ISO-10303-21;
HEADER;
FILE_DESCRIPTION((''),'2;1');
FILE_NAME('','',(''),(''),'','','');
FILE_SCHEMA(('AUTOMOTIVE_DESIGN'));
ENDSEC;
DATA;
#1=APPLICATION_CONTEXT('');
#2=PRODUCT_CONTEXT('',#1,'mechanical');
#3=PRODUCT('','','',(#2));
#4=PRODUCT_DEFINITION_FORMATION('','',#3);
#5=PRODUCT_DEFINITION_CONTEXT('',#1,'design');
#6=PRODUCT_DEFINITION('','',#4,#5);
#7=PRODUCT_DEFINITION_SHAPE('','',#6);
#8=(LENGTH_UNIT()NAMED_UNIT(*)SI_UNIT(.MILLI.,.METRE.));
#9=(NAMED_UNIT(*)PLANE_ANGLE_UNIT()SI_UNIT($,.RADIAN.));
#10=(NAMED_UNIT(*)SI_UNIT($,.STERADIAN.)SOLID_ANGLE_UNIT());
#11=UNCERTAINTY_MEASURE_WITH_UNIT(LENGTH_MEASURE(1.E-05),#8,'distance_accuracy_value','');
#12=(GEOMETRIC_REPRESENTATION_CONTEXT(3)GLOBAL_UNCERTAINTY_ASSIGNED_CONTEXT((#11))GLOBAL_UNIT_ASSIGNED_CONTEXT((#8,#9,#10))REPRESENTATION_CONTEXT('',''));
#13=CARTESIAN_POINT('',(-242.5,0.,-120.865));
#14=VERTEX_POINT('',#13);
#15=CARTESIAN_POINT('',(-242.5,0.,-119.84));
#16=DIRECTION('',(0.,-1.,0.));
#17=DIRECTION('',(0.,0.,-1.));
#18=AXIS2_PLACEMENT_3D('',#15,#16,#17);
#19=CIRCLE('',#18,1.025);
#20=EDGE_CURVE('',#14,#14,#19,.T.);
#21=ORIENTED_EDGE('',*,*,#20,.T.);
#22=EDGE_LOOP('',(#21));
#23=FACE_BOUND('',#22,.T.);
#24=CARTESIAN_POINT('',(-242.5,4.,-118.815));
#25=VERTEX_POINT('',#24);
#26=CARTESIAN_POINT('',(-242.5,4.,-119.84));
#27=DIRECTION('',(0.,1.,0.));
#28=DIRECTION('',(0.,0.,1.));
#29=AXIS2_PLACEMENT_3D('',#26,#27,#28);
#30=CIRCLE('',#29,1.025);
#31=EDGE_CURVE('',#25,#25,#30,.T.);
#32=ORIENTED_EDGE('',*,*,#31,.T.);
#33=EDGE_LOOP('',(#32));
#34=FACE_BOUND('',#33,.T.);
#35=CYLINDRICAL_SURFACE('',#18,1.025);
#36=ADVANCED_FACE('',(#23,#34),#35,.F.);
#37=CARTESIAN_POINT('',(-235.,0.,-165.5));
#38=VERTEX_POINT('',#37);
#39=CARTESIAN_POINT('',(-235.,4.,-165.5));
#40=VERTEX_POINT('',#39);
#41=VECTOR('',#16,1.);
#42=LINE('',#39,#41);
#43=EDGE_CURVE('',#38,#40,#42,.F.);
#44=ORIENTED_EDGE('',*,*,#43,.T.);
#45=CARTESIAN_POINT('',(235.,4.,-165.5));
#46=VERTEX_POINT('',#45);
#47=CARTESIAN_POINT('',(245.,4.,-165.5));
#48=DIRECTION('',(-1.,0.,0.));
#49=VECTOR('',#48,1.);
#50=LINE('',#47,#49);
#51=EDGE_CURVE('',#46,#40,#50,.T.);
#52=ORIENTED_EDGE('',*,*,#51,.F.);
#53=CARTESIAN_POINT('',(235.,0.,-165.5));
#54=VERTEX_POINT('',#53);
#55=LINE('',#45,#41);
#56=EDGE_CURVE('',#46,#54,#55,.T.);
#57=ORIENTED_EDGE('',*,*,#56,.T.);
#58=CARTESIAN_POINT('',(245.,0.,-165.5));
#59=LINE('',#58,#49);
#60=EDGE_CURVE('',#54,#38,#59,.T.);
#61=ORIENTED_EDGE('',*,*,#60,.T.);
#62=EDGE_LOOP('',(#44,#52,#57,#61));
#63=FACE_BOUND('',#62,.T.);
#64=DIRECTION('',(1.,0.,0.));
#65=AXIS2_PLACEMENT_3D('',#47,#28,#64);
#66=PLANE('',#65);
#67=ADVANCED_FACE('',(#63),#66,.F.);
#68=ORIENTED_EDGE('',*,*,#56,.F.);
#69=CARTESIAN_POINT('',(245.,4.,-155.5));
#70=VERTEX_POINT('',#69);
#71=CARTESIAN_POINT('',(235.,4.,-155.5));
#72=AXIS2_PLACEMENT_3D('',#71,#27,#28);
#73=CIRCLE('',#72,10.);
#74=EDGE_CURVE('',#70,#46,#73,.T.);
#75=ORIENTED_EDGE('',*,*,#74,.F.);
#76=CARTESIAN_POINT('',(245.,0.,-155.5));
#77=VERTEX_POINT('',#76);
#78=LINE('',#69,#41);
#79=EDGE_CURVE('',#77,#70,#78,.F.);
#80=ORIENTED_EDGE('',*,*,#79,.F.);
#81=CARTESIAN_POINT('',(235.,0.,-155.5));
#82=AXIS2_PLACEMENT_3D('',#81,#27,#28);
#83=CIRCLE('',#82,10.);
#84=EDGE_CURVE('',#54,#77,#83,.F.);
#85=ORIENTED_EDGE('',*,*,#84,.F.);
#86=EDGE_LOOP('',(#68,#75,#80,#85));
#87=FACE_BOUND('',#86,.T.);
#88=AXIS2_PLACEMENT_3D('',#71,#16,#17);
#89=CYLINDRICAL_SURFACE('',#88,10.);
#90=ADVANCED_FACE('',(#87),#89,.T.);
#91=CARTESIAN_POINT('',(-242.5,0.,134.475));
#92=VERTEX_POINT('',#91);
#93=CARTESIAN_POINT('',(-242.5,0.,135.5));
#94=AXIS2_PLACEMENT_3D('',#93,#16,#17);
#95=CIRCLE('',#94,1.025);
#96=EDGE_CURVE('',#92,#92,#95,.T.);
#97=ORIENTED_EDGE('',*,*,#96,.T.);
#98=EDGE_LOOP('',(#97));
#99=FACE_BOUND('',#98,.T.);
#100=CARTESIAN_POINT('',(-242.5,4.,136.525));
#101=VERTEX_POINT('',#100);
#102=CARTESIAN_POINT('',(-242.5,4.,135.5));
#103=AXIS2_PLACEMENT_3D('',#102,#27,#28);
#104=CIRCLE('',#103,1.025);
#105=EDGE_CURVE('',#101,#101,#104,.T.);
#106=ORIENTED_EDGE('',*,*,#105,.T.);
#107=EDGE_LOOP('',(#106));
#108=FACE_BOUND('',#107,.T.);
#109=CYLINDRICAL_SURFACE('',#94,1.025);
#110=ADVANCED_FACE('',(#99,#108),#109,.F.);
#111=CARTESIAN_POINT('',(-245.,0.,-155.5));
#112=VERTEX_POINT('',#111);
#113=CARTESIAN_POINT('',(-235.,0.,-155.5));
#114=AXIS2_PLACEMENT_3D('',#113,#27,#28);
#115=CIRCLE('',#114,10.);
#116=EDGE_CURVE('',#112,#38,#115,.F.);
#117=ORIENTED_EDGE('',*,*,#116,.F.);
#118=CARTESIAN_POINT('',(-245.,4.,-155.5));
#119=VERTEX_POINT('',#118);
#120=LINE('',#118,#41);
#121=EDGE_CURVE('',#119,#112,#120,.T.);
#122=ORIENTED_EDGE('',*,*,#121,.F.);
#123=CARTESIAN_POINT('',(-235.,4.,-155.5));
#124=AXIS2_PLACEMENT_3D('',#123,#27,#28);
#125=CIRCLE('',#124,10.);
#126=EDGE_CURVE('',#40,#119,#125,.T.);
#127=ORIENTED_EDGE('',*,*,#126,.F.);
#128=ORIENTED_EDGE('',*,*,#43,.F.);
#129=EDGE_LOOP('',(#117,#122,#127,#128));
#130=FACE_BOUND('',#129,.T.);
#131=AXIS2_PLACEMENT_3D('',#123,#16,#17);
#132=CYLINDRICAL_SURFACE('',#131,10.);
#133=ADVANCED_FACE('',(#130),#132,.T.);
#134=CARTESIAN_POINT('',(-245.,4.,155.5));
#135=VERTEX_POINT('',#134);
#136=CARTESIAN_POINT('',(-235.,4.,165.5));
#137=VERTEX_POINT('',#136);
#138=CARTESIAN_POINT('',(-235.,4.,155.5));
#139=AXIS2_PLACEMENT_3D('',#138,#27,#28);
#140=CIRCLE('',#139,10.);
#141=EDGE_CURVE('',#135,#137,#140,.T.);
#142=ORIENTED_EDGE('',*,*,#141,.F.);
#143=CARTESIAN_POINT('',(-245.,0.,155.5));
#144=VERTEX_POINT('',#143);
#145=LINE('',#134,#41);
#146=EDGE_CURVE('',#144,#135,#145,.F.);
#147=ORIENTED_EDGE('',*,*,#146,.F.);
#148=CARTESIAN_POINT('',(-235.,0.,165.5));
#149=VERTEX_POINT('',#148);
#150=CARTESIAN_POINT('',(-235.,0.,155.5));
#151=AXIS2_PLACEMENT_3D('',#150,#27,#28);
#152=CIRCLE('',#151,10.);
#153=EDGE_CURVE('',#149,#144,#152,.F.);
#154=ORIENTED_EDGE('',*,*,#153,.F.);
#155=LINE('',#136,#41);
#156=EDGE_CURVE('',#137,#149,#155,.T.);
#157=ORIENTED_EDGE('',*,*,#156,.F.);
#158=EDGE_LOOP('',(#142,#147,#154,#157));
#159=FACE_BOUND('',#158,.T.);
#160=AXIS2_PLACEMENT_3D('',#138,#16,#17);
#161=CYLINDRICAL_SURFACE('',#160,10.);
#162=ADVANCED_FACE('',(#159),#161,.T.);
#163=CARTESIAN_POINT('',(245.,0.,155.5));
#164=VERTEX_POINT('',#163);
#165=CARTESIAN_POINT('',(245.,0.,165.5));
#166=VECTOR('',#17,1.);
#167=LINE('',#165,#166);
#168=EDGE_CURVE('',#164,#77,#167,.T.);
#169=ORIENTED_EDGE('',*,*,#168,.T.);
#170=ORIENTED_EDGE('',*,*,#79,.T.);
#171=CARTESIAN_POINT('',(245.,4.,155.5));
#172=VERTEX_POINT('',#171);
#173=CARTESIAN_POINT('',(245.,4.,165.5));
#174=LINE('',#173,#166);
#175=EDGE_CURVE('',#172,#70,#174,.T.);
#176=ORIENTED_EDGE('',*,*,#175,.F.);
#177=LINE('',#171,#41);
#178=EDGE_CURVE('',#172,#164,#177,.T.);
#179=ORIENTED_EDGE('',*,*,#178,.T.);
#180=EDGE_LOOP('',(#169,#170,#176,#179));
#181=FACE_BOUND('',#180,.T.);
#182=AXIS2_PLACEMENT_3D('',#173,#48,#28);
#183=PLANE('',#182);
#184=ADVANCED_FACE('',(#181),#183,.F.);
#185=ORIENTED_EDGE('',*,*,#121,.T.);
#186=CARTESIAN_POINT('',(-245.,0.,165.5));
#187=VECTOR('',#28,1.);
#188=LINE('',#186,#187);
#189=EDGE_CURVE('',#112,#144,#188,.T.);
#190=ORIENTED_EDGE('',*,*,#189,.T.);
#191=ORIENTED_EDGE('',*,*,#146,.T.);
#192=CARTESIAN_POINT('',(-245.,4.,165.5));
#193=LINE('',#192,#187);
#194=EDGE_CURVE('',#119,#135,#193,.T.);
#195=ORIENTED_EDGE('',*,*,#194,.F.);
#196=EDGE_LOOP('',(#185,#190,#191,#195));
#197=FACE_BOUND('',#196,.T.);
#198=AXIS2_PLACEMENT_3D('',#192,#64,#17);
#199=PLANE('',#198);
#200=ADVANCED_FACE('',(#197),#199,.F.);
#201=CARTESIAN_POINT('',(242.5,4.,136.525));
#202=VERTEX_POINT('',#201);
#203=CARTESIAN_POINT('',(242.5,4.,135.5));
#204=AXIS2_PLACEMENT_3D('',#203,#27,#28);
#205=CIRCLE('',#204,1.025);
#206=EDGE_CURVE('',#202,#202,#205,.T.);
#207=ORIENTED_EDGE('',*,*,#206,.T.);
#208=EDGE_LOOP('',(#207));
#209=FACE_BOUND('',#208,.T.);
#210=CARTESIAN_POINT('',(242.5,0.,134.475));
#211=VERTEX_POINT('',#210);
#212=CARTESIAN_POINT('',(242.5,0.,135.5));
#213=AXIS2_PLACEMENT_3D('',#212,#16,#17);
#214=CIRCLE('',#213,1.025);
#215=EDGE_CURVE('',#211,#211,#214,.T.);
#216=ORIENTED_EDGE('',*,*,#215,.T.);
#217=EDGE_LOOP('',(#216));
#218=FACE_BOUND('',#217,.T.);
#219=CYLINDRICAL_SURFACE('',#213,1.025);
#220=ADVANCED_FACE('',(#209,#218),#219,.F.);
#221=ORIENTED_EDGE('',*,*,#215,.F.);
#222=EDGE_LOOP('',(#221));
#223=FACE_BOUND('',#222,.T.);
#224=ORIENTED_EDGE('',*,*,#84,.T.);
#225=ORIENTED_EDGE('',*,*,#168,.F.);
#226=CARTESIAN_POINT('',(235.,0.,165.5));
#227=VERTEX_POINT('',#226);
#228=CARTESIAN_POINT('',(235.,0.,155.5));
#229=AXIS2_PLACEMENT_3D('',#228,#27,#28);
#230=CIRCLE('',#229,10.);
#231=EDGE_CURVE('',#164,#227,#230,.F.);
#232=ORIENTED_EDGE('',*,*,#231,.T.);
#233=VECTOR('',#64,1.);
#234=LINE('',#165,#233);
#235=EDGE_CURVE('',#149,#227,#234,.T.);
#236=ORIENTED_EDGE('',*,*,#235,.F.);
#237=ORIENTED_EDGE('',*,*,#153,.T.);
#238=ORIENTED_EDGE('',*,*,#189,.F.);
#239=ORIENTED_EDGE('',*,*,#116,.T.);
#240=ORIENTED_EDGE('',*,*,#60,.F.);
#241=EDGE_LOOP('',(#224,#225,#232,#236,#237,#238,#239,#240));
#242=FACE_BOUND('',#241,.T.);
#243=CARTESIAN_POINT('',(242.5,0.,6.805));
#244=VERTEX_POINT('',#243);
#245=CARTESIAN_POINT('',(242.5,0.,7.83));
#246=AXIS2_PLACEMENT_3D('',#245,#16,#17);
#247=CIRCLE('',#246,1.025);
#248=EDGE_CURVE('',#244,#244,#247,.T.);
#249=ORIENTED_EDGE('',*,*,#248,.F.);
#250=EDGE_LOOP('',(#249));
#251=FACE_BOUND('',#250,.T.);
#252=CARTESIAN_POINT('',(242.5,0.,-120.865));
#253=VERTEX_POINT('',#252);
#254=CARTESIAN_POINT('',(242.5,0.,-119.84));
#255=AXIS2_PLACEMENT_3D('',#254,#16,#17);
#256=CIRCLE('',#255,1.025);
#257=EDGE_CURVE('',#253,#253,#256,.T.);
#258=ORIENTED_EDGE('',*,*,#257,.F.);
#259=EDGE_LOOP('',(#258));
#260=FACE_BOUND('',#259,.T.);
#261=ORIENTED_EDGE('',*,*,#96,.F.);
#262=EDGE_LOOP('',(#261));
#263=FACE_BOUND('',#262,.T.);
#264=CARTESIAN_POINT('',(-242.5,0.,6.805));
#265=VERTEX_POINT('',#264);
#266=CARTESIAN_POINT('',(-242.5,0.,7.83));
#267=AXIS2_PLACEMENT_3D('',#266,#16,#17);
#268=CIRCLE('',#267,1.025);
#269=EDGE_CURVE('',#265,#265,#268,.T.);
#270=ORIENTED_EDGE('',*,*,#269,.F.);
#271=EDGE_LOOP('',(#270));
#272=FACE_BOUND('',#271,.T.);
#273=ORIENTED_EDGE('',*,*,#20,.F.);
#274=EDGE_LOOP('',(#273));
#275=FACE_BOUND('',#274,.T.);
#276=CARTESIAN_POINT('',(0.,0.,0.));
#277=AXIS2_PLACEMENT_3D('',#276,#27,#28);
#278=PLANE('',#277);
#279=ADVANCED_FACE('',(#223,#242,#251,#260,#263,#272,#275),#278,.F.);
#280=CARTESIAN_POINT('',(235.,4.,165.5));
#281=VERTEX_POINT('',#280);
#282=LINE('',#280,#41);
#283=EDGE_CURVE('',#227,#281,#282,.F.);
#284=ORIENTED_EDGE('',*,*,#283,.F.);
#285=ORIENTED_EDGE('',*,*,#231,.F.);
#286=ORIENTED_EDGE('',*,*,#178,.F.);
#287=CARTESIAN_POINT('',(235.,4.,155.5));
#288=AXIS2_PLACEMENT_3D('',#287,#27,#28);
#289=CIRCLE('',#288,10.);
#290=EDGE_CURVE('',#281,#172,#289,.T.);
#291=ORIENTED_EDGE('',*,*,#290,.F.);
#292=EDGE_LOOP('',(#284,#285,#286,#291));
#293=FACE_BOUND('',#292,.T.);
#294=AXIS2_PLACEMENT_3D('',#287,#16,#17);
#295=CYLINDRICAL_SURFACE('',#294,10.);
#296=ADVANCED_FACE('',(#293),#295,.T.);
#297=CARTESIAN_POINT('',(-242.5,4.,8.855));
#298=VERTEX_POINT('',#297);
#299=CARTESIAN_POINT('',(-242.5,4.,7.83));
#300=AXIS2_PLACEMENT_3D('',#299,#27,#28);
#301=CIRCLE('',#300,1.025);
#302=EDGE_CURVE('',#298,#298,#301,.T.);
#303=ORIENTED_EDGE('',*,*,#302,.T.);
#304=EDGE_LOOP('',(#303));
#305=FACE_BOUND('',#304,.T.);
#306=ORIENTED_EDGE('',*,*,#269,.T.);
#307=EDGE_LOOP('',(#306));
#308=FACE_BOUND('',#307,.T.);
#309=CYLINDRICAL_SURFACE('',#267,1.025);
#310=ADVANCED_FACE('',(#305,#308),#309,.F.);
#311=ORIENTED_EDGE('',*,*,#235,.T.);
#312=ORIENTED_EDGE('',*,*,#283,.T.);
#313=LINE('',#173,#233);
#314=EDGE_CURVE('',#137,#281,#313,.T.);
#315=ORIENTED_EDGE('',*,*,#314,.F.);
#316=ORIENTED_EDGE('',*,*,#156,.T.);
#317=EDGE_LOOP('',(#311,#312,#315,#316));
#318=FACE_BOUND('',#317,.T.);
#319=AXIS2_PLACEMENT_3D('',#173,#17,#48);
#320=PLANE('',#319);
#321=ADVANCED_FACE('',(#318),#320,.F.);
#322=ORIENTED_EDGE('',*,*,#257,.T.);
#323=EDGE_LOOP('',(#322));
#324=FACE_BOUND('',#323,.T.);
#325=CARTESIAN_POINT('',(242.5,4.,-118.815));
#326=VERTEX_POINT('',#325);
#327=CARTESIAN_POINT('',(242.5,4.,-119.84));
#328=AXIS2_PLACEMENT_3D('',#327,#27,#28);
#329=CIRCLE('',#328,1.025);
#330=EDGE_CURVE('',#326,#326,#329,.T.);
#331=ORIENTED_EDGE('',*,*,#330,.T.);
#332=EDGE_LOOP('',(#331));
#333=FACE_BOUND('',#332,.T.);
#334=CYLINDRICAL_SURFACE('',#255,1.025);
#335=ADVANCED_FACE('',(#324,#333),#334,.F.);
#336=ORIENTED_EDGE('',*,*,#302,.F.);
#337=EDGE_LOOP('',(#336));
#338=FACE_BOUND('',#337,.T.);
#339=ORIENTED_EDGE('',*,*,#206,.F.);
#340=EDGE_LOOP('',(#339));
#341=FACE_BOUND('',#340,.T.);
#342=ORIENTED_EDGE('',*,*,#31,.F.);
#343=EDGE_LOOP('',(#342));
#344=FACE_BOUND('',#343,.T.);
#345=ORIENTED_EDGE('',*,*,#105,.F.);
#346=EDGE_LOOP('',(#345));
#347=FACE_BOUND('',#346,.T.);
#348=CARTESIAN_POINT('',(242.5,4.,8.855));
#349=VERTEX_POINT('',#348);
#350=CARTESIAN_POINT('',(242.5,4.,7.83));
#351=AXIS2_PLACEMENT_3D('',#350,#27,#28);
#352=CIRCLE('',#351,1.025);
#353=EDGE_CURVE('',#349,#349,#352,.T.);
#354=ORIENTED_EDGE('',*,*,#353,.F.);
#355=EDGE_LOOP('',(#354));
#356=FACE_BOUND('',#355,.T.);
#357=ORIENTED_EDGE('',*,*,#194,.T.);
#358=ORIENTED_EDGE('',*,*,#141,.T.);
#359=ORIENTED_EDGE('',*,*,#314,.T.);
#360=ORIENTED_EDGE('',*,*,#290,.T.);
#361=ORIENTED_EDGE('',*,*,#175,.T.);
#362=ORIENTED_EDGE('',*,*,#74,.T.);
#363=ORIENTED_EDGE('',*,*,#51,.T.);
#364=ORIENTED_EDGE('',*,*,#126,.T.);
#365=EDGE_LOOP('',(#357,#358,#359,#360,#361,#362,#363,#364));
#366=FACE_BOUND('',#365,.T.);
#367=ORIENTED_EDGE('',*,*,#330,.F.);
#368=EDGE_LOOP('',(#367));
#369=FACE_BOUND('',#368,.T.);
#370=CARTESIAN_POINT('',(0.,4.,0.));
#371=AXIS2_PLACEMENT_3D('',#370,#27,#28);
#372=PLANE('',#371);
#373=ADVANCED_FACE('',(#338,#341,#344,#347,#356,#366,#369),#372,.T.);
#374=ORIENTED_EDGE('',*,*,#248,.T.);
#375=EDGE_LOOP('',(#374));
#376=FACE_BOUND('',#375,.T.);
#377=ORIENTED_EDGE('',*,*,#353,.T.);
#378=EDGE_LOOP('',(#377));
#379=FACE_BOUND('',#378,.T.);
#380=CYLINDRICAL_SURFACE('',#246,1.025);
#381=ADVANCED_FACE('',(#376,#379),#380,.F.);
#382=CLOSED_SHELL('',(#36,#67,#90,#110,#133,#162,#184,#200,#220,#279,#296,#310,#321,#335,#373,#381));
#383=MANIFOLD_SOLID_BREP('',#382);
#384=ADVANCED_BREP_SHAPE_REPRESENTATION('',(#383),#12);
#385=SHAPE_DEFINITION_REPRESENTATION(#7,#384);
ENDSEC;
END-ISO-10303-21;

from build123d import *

# Parameters (mm, degrees)
SKETCH1_W           = 490
SKETCH1_H           = 331
BOSS_EXTRUDE1_DEPTH = 4
FILLET1_R           = 10
LPATTERN2_COUNT     = 3
LPATTERN2_PITCH     = 127.67


with BuildPart() as part:
    # Sketch1 → Boss-Extrude1 (new body)
    with BuildSketch(Plane(origin=(0, 0, 0), x_dir=(1, 0, 0), z_dir=(0, 1, 0))):
        Rectangle(SKETCH1_W, SKETCH1_H)
    extrude(amount=BOSS_EXTRUDE1_DEPTH)

    # Fillet1
    fillet1_edges = [part.edges().sort_by_distance(p)[0] for p in [
        (-245, 2, -165.5),
        (245, 2, -165.5),
        (245, 2, 165.5),
        (-245, 2, 165.5),
    ]]
    fillet(fillet1_edges, radius=FILLET1_R)

    # Sketch4 → Tap Drill for M2.5x0.45 Tap1 (revolve, cut)
    with BuildSketch(Plane(origin=(-242.5, 0, 135.5), x_dir=(0, 0, -1), z_dir=(1, 0, 0))):
        Polygon((0, 0), (0, 5.615882135), (1.025, 5), (1.025, 0), align=None)
    tap_drill_for_m2_5x0_45_tap1 = revolve(axis=Axis((-242.5, -6.35, 135.5), (0, 1, 0)), mode=Mode.SUBTRACT)

    # LPattern2: Tap Drill for M2.5x0.45 Tap1 ×3
    with Locations(*[(0, 0, -i * LPATTERN2_PITCH) for i in range(1, LPATTERN2_COUNT)]):
        add(tap_drill_for_m2_5x0_45_tap1, mode=Mode.SUBTRACT)

    # Mirror2: Tap Drill for M2.5x0.45 Tap1 across plane
    add(tap_drill_for_m2_5x0_45_tap1.mirror(Plane(origin=(0, 0, 0), x_dir=(0, 0, 1), z_dir=(1, 0, 0))), mode=Mode.SUBTRACT)

    # Mirror2 copy 1 sketch → Mirror2 copy 1 (revolve, cut)
    with BuildSketch(Plane(origin=(242.5, 0, 7.83), x_dir=(0, 0, -1), z_dir=(-1, 0, 0))):
        Polygon((0, 0), (0, -5.615882135), (1.025, -5), (1.025, 0), align=None)
    revolve(axis=Axis((242.5, -6.35, 7.83), (0, -1, 0)), mode=Mode.SUBTRACT)

    # Mirror2 copy 2 sketch → Mirror2 copy 2 (revolve, cut)
    with BuildSketch(Plane(origin=(242.5, 0, -119.84), x_dir=(0, 0, -1), z_dir=(-1, 0, 0))):
        Polygon((0, 0), (0, -5.615882135), (1.025, -5), (1.025, 0), align=None)
    revolve(axis=Axis((242.5, -6.35, -119.84), (0, -1, 0)), mode=Mode.SUBTRACT)


solid = part.part
